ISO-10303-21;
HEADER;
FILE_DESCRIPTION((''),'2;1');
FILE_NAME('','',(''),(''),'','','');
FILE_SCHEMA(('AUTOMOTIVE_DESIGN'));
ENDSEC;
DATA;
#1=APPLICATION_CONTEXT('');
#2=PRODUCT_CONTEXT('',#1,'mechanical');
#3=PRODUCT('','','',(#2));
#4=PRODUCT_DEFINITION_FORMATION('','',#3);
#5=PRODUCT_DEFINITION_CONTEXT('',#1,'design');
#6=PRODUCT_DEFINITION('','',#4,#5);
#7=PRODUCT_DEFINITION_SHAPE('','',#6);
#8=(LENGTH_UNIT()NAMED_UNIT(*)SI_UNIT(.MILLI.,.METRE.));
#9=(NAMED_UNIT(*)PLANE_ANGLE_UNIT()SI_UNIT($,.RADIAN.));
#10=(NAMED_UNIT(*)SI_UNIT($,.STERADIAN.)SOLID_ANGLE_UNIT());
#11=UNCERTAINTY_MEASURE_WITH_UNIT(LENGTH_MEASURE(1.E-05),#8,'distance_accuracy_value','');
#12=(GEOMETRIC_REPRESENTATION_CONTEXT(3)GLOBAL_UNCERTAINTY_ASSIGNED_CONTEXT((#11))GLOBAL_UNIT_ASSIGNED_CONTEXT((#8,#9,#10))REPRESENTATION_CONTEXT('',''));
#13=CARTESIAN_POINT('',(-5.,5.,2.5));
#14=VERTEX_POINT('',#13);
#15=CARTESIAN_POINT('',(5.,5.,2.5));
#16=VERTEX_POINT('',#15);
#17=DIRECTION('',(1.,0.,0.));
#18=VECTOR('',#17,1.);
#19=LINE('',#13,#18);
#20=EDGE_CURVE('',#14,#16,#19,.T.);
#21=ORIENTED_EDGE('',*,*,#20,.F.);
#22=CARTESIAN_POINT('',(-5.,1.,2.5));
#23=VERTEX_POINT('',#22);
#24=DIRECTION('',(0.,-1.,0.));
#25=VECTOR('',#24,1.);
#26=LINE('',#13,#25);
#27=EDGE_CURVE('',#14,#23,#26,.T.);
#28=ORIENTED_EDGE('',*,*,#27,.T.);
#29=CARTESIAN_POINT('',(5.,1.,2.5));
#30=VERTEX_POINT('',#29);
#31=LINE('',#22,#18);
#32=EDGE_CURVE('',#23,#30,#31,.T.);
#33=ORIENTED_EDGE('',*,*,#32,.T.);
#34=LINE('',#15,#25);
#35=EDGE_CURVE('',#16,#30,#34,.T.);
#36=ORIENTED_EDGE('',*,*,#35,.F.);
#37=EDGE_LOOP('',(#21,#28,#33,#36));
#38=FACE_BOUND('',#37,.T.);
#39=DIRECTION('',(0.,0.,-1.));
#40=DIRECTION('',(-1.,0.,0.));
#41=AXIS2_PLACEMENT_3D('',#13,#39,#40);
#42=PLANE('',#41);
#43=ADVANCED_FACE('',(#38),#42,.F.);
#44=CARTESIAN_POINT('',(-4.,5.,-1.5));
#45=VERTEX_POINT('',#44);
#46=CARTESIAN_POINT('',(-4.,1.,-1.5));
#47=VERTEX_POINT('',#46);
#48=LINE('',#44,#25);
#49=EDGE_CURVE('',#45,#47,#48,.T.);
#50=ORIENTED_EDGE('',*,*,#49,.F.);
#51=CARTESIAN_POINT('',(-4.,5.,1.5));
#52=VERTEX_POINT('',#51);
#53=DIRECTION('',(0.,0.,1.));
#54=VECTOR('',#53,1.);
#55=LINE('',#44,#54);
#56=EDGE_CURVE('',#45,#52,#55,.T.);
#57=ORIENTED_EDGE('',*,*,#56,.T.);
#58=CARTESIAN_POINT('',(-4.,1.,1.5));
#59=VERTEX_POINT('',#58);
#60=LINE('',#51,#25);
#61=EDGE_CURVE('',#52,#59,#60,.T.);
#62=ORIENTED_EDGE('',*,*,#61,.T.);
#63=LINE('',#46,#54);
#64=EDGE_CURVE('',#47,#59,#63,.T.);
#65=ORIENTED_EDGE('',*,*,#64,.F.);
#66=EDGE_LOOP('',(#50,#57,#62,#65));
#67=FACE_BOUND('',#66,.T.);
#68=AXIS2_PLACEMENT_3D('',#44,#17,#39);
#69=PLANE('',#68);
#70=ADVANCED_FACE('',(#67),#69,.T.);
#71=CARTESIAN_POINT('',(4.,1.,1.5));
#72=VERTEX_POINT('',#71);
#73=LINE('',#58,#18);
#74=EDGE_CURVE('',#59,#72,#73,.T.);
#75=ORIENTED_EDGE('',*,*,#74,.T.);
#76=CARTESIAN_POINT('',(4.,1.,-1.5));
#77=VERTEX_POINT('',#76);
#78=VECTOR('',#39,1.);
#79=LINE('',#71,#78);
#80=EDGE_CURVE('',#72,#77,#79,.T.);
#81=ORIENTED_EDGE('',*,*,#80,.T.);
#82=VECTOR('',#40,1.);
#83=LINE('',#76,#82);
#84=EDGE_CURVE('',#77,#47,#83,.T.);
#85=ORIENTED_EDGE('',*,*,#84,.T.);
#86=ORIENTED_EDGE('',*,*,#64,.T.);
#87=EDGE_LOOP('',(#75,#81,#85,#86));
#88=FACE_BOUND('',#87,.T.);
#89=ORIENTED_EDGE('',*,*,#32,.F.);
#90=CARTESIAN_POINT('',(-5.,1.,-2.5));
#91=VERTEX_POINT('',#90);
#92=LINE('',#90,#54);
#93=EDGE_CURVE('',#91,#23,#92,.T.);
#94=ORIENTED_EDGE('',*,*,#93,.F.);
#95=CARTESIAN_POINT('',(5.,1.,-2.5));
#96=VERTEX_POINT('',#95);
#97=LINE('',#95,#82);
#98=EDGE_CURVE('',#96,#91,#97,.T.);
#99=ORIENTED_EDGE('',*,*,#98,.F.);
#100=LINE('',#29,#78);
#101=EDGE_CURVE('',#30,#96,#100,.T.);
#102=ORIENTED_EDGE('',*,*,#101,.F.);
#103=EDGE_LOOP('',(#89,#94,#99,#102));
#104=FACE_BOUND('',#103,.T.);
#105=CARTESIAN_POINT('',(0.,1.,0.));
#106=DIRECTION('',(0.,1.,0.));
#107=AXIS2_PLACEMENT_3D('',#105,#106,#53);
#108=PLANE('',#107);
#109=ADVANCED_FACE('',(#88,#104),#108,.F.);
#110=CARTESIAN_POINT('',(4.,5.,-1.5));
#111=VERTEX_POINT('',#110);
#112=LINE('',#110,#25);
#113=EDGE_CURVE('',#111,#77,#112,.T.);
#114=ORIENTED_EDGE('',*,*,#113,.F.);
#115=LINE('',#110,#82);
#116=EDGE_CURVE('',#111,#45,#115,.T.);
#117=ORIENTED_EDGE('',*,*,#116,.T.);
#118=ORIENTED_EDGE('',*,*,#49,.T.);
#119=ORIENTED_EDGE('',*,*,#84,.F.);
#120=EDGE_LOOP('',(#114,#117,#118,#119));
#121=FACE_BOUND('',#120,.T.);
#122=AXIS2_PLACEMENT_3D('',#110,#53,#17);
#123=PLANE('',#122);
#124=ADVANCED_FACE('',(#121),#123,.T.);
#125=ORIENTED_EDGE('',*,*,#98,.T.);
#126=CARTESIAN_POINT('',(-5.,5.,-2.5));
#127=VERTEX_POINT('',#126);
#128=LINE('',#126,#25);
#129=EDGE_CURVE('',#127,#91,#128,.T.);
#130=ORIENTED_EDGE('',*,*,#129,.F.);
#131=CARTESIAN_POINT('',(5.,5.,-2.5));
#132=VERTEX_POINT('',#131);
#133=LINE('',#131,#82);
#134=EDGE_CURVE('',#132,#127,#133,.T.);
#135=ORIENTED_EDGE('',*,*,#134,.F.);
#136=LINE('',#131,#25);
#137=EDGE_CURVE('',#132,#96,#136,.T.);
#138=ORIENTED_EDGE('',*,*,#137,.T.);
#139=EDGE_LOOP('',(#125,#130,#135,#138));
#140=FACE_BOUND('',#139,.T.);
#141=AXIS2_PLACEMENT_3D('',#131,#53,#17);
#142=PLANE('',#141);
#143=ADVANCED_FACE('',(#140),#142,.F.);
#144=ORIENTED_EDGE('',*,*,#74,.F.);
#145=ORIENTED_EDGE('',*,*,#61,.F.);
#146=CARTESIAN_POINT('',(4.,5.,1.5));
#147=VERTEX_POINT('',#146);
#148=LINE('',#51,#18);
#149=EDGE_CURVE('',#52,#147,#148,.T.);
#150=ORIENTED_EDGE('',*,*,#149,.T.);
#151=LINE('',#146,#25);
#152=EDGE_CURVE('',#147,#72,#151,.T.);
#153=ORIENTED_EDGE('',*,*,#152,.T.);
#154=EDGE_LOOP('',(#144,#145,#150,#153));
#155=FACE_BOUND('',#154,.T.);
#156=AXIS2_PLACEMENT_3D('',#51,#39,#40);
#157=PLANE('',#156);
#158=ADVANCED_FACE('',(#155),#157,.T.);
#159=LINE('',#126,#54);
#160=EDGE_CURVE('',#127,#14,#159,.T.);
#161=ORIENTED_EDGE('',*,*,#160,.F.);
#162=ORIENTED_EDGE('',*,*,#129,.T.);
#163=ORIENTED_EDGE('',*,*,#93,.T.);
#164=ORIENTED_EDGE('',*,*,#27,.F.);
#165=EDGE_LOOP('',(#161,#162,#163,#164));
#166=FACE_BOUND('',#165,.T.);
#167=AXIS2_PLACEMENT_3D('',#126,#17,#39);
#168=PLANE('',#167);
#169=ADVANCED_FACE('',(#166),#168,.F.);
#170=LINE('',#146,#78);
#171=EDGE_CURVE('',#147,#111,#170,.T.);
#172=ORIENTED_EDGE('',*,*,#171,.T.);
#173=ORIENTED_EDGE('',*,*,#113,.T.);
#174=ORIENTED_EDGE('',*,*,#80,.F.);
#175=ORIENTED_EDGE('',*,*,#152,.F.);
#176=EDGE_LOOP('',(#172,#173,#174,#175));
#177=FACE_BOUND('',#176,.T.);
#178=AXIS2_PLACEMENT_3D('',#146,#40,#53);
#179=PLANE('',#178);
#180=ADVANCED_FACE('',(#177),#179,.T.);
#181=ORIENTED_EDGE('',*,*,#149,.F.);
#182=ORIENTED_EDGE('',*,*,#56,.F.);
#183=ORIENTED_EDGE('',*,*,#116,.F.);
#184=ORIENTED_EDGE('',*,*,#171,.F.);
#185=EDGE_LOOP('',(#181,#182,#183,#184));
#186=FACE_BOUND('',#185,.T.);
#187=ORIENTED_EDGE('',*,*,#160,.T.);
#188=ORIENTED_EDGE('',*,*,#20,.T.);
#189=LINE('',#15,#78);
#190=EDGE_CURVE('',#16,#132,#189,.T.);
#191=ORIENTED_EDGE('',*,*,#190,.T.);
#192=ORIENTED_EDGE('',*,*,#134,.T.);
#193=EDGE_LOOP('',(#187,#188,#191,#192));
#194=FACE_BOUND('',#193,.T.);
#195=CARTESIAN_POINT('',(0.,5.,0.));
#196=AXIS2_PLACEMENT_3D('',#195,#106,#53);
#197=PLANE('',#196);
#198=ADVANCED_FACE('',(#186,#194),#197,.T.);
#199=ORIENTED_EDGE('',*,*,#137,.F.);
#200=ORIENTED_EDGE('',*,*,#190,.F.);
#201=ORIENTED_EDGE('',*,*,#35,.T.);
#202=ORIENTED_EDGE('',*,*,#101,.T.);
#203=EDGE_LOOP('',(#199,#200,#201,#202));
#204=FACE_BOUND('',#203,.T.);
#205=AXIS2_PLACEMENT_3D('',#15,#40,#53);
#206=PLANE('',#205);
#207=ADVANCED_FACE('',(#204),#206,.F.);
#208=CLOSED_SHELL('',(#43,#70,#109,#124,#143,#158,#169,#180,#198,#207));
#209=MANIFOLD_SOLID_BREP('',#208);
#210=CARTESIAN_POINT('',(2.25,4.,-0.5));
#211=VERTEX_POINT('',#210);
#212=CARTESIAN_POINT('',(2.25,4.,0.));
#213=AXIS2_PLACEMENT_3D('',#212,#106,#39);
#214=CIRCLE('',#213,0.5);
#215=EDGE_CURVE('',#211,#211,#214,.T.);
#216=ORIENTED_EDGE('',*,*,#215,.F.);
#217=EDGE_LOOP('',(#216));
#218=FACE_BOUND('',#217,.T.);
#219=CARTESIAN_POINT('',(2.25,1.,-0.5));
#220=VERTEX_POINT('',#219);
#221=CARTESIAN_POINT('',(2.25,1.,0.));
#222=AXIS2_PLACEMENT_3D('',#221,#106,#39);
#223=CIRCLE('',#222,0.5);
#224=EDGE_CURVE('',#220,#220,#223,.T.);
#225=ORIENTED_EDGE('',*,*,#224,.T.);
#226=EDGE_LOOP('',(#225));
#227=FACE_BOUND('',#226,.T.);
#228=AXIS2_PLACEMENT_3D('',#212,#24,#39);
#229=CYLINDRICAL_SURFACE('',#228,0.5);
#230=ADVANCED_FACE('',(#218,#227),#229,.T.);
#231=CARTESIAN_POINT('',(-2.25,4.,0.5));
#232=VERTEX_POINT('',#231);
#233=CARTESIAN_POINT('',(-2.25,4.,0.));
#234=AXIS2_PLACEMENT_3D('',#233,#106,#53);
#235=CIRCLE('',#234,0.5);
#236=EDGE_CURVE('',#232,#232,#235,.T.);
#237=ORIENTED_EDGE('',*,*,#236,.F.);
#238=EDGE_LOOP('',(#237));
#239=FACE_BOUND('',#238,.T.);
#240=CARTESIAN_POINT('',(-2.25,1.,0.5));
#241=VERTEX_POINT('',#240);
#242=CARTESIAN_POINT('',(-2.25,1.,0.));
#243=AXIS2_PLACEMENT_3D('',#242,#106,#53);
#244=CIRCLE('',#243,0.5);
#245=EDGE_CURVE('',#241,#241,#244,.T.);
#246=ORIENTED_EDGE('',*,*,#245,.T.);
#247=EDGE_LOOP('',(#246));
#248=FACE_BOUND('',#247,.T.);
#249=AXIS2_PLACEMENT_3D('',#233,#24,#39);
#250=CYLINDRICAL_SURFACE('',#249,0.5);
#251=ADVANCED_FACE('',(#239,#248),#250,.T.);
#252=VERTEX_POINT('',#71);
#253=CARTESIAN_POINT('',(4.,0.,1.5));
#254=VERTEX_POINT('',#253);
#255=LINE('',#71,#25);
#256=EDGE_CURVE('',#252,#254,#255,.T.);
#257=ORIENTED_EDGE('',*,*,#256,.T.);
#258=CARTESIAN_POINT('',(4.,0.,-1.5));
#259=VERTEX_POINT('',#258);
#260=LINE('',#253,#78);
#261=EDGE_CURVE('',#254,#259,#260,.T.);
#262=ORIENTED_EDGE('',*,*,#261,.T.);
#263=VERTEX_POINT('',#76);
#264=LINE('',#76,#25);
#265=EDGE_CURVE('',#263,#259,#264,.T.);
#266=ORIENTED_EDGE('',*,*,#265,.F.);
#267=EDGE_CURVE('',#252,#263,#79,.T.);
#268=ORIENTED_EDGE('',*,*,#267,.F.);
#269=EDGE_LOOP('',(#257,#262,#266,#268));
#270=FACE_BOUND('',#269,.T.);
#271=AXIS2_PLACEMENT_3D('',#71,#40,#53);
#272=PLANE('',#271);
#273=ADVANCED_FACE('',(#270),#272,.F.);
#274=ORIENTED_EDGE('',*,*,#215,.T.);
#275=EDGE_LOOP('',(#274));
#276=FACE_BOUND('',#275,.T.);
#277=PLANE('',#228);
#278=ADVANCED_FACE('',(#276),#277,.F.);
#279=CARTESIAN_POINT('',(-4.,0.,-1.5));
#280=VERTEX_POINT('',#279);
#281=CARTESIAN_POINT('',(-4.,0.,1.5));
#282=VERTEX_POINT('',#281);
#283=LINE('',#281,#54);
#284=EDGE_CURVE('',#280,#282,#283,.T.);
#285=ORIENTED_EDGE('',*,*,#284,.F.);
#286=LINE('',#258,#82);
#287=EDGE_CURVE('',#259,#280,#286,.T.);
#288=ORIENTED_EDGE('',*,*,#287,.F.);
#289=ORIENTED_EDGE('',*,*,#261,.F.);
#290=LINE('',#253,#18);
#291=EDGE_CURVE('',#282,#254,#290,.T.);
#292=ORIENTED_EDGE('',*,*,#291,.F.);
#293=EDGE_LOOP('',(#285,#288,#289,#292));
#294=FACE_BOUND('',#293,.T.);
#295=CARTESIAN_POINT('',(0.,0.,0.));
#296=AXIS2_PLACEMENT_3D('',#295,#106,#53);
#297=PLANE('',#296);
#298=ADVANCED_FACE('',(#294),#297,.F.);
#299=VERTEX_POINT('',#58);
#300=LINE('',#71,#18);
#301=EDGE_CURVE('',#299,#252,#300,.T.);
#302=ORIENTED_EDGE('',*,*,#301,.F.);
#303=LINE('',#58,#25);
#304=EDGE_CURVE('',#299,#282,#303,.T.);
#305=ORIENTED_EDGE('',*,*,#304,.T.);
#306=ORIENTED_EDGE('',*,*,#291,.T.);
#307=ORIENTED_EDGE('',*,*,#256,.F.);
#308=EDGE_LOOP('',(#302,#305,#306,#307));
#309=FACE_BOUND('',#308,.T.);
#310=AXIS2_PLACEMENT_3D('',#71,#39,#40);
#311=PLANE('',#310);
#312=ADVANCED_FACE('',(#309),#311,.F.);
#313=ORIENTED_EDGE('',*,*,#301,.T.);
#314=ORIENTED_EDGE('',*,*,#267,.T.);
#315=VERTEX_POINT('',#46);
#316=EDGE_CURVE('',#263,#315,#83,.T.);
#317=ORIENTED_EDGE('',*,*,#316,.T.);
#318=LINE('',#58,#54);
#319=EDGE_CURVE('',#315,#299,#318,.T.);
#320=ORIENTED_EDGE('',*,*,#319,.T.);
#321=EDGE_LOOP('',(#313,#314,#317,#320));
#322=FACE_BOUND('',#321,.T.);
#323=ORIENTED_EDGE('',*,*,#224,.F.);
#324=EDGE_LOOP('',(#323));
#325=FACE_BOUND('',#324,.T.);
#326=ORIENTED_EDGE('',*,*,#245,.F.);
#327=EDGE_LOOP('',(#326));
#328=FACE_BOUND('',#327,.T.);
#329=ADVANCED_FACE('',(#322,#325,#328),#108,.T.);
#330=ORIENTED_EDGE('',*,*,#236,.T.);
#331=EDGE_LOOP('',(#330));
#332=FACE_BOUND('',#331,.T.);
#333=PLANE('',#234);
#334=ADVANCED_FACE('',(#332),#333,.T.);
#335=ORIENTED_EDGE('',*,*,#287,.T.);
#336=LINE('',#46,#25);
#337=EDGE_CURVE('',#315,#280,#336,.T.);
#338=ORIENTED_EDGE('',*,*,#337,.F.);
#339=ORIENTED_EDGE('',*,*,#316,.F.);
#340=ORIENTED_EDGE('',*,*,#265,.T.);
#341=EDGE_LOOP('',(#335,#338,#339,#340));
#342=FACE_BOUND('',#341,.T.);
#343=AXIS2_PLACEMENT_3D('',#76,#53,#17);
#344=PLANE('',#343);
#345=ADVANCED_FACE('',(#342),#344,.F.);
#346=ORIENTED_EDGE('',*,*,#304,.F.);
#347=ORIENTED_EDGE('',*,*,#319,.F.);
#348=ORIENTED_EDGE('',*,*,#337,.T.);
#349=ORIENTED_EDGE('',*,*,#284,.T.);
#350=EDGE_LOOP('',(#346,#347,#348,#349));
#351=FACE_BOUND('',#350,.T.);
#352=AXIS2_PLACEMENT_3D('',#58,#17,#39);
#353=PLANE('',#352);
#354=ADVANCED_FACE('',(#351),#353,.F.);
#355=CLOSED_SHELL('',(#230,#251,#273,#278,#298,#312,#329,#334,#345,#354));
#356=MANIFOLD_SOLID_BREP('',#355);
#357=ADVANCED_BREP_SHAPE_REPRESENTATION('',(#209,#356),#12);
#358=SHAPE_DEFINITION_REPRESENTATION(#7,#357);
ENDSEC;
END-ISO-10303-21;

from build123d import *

# Parameters (mm, degrees)
SKETCH_1_W      = 8
SKETCH_1_H      = 3
EXTRUDE_1_DEPTH = 1
SKETCH_2_R      = 0.5
EXTRUDE_2_DEPTH = 3
SKETCH_3_W      = 10
SKETCH_3_H      = 5
SKETCH_3_W_2    = 8
SKETCH_3_H_2    = 3
EXTRUDE_3_DEPTH = 4


with BuildPart() as part:
    # 草图1 → 凸台-拉伸1 (new body)
    with BuildSketch(Plane(origin=(0, 0, 0), x_dir=(1, 0, 0), z_dir=(0, 1, 0))):
        Rectangle(SKETCH_1_W, SKETCH_1_H)
    extrude(amount=EXTRUDE_1_DEPTH)

    # 草图2 → 凸台-拉伸2 (add)
    with BuildSketch(Plane(origin=(0, 1, 0), x_dir=(1, 0, 0), z_dir=(0, 1, 0))):
        with Locations((-2.25, 0)):
            Circle(SKETCH_2_R)
        with Locations((2.25, 0)):
            Circle(SKETCH_2_R)
    extrude(amount=EXTRUDE_2_DEPTH)


with BuildPart() as body_2:
    # 草图3 → 凸台-拉伸3 (new body)
    with BuildSketch(Plane(origin=(0, 1, 0), x_dir=(1, 0, 0), z_dir=(0, 1, 0))):
        Rectangle(SKETCH_3_W, SKETCH_3_H)
        Rectangle(SKETCH_3_W_2, SKETCH_3_H_2, mode=Mode.SUBTRACT)
    extrude(amount=EXTRUDE_3_DEPTH)


solid = Compound([part.part, body_2.part])
